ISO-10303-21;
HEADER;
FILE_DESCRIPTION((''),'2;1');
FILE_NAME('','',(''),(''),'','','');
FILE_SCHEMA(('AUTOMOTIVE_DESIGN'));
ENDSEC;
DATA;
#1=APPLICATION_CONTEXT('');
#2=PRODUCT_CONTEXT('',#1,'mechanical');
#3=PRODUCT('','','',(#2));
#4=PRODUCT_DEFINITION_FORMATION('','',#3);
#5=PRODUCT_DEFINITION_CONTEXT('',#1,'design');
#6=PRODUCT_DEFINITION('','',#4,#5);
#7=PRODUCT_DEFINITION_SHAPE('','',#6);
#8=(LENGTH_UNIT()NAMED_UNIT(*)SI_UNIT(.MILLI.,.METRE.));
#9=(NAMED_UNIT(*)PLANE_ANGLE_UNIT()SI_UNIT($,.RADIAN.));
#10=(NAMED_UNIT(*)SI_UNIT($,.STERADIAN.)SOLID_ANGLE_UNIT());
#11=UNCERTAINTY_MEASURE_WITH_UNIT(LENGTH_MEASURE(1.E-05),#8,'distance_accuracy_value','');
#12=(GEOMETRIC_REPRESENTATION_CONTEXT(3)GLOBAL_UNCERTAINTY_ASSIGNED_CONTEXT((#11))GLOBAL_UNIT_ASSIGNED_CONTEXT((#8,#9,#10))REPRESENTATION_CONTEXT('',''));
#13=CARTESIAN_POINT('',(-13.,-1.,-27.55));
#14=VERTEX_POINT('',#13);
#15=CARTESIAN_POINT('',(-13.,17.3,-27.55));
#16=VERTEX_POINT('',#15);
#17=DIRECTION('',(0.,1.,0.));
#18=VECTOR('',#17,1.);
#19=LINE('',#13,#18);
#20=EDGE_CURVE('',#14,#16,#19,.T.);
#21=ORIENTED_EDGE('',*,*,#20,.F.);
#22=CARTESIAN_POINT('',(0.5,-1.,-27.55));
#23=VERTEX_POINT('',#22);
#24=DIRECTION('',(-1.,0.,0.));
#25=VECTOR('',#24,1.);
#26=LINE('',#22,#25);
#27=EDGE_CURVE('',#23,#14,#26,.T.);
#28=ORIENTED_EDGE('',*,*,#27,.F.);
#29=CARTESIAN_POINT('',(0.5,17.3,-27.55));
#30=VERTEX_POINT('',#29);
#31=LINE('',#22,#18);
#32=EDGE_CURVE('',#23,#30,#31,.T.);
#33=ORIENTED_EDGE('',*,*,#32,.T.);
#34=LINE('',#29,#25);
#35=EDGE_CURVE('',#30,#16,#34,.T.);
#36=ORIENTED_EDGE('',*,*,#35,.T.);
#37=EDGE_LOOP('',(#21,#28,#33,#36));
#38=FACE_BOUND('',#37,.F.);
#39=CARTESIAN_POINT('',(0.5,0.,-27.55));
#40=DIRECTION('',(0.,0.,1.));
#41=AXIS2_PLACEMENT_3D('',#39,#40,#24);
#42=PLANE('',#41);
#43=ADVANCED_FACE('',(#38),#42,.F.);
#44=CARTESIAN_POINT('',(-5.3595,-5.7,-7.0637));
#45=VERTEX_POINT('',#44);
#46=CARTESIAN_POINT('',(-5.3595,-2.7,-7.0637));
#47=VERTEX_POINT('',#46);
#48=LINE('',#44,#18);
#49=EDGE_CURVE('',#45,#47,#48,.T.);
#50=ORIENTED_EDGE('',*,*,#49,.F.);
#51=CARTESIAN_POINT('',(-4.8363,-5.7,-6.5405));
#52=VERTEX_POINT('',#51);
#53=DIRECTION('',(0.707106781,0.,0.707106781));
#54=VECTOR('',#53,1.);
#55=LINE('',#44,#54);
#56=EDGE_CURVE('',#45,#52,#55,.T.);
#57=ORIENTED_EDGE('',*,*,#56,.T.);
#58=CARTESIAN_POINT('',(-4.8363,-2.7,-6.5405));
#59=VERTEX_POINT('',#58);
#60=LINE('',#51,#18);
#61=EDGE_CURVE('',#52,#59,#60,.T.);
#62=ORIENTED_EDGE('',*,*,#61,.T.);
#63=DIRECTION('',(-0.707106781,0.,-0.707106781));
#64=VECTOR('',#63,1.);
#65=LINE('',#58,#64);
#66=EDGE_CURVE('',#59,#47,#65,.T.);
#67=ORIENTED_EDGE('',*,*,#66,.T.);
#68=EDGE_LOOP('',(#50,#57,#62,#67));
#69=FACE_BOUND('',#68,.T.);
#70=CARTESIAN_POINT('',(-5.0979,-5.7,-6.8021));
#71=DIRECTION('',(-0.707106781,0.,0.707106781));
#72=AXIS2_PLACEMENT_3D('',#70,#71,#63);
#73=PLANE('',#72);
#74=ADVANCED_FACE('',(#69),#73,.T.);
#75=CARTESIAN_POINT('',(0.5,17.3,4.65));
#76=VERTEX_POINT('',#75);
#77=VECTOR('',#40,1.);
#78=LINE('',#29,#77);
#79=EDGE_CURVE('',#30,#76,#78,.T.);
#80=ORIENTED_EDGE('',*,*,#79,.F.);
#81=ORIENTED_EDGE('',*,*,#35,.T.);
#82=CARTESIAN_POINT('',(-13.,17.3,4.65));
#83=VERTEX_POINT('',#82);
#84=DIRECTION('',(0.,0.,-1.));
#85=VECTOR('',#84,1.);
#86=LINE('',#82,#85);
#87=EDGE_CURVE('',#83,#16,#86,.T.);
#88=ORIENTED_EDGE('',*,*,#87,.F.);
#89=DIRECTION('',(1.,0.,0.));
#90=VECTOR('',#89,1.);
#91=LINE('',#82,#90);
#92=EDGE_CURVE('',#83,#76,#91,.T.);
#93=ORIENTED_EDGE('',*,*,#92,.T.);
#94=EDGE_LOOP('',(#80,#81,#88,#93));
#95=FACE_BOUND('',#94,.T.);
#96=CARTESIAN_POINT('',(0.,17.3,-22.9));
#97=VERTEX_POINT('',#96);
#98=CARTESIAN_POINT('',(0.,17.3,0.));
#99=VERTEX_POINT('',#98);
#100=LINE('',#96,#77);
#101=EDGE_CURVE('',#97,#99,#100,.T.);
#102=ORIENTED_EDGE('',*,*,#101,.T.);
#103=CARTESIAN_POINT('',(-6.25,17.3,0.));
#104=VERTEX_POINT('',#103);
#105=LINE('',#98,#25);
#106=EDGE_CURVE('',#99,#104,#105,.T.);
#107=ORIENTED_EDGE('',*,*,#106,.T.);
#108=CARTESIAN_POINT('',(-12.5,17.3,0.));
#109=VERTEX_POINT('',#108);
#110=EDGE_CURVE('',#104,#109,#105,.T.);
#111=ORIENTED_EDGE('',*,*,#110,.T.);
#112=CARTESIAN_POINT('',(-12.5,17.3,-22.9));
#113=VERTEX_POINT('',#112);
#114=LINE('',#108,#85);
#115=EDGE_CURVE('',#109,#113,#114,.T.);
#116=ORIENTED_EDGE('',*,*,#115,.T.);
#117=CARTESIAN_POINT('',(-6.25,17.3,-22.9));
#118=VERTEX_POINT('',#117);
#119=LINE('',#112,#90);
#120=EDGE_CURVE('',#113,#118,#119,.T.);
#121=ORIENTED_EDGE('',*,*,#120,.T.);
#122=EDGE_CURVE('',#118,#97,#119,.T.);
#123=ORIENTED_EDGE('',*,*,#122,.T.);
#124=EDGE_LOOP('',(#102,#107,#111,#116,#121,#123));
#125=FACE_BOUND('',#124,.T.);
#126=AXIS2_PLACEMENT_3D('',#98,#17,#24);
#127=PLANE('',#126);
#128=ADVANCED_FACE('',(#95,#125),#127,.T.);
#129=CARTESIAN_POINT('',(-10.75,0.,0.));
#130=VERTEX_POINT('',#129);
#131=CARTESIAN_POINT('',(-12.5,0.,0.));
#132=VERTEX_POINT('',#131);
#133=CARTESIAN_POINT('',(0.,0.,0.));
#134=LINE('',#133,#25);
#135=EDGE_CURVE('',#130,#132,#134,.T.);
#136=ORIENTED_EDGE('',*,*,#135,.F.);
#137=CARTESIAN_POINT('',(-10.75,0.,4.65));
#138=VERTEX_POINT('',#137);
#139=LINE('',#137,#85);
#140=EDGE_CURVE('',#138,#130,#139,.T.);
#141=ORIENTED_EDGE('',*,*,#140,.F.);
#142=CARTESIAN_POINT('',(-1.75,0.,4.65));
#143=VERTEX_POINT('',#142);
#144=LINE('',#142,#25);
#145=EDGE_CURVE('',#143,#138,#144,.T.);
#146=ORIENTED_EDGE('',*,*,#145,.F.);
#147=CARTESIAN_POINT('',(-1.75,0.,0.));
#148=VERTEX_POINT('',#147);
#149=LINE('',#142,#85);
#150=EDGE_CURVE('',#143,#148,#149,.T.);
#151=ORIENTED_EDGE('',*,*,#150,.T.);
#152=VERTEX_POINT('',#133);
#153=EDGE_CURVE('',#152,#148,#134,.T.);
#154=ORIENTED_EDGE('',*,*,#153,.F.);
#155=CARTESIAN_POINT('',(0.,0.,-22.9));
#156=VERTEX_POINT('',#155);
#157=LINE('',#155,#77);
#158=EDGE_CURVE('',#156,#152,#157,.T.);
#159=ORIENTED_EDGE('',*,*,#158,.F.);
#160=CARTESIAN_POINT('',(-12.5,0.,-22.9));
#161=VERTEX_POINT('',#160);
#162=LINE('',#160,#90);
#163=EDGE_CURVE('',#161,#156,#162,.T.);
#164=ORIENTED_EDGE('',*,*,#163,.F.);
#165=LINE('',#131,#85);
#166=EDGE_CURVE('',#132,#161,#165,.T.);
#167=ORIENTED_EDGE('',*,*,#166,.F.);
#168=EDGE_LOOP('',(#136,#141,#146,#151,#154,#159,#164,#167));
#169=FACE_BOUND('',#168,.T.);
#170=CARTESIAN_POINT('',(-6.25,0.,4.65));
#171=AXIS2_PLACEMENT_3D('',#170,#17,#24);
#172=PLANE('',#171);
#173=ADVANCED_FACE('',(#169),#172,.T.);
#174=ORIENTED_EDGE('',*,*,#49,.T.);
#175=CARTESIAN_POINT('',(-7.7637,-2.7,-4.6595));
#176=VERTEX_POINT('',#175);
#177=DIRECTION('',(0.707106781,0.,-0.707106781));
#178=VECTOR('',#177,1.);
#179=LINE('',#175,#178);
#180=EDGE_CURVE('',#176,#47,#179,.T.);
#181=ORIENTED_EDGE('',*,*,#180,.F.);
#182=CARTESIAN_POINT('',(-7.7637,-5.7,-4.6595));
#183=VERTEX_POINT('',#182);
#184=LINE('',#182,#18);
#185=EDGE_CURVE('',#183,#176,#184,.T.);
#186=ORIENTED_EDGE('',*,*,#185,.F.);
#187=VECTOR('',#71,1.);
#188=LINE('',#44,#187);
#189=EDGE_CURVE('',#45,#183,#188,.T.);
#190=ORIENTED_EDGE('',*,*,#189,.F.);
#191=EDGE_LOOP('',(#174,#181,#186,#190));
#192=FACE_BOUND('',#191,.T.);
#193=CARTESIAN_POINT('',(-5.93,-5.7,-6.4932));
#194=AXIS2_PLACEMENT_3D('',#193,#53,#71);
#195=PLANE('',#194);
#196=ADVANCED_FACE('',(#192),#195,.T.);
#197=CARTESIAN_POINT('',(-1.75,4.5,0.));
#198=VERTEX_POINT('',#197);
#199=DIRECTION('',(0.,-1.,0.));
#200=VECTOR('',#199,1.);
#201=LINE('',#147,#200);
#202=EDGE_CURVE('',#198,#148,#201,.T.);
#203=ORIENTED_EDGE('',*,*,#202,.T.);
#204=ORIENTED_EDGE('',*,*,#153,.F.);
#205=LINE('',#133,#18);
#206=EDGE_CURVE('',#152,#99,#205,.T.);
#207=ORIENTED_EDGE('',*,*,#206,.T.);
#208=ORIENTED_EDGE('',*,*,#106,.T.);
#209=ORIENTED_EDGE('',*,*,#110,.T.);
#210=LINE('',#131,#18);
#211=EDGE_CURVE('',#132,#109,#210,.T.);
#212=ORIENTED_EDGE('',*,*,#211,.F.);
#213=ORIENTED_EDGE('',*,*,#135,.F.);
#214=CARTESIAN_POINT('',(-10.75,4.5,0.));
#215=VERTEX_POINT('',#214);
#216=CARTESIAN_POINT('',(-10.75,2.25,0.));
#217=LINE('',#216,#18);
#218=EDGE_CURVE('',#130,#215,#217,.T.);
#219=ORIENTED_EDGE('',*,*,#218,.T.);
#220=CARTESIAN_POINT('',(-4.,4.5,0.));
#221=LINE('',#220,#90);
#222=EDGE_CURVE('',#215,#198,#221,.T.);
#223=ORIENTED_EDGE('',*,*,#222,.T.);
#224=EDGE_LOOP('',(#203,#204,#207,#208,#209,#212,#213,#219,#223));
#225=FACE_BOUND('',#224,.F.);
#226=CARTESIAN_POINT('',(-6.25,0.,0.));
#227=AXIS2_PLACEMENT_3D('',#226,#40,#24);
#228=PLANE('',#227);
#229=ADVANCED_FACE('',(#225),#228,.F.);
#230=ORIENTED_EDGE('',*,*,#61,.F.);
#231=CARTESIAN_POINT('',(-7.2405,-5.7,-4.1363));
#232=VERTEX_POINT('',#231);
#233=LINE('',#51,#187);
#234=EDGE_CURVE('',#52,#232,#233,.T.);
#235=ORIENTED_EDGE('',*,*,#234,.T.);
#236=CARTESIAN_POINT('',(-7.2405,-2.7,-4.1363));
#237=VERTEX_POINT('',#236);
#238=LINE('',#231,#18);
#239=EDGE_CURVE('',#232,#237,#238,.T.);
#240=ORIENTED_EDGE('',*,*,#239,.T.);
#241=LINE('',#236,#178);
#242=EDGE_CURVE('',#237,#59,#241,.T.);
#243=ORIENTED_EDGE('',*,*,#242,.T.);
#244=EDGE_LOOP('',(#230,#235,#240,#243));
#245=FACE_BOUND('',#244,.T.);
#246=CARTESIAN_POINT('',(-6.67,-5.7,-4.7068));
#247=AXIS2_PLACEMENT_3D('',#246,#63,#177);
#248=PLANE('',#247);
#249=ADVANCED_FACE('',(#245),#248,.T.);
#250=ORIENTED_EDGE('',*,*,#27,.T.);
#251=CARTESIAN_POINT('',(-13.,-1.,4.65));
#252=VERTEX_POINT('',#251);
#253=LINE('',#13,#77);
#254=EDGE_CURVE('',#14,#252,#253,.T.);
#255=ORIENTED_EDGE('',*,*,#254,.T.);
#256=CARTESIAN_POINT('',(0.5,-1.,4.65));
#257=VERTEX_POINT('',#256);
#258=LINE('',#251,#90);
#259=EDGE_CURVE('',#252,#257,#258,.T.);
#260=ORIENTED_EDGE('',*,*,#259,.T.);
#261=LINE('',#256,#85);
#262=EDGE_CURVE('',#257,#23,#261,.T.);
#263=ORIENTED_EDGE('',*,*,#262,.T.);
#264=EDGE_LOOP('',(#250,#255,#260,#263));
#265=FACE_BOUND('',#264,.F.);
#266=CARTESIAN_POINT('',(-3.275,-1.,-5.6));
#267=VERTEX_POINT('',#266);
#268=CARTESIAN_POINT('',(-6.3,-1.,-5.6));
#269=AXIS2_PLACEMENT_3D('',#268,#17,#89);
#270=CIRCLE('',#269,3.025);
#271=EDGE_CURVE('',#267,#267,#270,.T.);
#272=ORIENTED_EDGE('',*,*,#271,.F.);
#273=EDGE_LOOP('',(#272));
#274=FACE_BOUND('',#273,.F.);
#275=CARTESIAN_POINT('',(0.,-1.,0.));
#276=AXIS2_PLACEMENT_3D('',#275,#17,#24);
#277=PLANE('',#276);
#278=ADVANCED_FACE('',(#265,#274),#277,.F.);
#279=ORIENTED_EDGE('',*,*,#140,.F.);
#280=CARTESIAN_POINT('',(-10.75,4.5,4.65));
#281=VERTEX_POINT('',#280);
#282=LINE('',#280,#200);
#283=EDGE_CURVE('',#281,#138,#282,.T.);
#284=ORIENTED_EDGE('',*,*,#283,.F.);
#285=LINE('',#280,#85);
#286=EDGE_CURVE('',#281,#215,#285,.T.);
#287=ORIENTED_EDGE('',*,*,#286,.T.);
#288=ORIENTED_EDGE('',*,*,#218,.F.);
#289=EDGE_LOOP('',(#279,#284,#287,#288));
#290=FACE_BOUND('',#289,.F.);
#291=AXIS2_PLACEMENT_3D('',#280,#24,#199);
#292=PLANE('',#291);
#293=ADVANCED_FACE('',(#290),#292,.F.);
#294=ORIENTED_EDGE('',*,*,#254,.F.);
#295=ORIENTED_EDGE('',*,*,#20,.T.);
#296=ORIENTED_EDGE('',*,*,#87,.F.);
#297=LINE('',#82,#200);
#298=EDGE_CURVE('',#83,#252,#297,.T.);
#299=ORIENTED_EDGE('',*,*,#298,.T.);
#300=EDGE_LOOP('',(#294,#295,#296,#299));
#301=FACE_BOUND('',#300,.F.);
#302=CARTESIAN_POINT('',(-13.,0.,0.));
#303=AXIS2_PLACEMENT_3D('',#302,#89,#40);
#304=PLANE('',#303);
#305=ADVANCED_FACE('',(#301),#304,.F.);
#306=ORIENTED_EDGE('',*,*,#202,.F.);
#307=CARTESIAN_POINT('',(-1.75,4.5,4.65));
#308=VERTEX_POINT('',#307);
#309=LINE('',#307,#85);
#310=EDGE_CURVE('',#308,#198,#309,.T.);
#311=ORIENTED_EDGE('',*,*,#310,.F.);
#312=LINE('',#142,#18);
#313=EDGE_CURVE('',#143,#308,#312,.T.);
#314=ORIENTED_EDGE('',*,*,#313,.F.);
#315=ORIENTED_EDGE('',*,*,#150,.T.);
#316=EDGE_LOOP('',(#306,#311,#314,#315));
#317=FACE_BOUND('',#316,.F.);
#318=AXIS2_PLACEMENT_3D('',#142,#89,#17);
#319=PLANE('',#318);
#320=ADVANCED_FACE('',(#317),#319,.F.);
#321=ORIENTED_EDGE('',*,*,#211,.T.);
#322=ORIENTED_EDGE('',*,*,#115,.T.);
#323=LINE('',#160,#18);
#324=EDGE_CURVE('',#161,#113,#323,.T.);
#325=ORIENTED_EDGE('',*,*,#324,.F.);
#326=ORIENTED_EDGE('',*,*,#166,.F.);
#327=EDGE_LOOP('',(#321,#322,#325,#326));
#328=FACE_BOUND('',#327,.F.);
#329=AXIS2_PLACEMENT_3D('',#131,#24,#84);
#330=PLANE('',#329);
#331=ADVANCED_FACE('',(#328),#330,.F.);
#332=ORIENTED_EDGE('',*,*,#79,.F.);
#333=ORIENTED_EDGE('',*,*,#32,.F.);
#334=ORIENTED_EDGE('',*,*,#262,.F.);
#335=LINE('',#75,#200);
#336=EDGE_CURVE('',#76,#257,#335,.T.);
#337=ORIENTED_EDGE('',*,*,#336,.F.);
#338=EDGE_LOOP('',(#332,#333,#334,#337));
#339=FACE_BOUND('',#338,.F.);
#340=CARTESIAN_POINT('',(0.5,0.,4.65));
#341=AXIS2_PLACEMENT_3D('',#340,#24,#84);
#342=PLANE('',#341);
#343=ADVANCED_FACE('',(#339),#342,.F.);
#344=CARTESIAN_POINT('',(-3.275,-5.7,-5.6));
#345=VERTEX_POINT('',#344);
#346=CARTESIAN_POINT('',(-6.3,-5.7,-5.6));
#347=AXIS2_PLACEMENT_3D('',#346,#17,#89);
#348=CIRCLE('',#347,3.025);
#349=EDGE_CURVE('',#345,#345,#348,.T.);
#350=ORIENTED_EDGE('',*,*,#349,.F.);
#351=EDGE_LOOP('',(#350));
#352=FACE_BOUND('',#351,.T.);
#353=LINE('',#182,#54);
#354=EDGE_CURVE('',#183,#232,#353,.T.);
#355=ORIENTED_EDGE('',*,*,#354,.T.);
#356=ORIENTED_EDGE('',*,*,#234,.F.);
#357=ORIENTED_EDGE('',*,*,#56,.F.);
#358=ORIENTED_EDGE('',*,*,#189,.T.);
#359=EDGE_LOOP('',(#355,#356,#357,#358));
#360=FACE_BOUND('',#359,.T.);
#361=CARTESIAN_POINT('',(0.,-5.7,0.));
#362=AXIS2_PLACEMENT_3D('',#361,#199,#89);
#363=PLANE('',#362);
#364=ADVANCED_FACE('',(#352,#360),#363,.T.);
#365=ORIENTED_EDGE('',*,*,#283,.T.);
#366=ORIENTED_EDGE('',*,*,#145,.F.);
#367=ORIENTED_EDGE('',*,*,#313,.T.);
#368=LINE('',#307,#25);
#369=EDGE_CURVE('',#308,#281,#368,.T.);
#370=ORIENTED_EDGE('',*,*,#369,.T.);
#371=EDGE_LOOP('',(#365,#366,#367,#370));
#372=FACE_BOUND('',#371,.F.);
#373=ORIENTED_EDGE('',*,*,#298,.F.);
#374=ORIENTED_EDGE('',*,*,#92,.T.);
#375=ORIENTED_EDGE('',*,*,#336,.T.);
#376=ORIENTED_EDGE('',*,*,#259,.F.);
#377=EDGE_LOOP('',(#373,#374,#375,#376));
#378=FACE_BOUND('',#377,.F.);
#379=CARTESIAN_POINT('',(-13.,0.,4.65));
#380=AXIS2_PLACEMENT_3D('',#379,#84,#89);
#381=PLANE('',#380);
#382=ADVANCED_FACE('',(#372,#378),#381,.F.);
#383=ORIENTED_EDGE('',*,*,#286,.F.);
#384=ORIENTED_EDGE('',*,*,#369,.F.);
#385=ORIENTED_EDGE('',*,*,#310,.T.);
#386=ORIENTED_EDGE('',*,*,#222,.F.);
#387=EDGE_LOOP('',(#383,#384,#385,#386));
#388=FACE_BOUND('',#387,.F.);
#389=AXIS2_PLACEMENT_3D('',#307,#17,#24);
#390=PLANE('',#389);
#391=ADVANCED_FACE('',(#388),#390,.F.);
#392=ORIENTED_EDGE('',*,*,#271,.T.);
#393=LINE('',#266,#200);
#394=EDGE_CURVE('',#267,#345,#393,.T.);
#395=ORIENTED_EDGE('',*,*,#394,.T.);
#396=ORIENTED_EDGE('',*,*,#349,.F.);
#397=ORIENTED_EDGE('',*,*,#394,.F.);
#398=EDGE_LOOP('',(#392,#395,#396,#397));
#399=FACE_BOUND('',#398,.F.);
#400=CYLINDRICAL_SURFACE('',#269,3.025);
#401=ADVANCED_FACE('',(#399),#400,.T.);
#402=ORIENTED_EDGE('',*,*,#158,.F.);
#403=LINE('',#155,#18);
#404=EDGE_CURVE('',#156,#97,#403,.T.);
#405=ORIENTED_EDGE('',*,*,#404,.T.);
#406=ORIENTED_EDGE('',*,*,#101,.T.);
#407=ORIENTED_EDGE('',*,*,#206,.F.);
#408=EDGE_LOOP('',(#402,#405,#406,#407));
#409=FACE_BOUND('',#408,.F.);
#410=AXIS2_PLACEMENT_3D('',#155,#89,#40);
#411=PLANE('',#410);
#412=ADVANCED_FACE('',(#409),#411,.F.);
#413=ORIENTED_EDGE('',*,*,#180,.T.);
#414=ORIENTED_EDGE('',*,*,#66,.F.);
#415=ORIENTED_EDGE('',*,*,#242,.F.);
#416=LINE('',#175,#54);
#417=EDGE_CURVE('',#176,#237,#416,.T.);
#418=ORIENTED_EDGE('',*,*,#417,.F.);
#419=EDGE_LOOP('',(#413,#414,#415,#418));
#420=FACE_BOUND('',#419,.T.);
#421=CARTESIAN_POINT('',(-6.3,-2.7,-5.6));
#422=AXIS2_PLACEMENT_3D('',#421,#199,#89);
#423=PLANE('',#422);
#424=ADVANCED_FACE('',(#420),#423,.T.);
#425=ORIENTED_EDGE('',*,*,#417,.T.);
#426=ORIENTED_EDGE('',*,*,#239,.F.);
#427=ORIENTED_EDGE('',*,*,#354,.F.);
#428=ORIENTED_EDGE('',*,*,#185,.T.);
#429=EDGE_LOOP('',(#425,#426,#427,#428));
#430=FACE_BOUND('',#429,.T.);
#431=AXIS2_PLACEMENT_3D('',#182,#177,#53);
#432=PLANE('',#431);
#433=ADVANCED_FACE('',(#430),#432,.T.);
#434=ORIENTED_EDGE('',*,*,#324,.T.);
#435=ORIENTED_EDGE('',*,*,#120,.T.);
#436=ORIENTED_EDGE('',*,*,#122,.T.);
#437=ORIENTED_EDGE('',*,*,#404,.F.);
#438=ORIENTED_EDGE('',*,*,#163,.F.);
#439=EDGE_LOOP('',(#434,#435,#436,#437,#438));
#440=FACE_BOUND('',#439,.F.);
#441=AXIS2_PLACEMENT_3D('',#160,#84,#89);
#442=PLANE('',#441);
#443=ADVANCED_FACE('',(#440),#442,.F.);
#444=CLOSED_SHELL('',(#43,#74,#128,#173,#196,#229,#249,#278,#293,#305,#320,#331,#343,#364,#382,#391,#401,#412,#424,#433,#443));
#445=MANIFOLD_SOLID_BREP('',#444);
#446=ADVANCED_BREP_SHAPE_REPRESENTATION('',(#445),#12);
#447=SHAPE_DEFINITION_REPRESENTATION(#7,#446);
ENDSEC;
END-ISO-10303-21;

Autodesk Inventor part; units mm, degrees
ref_plane "YZ Plane" through (0, 0, 0) normal (1, 0, 0) x (0, 1, 0)
ref_plane "XZ Plane" through (0, 0, 0) normal (0, 1, 0) x (-1, 0, 0)
ref_plane "XY Plane" through (0, 0, 0) normal (0, 0, 1) x (1, 0, 0)
sketch "Sketch1" plane through (0, 0, 0) normal (0, 1, 0) x (-1, 0, 0)
  line L0 (0, 0) -> (12.5, 0)
  line L1 (12.5, 0) -> (12.5, -22.9)
  line L2 (12.5, -22.9) -> (0, -22.9)
  line L3 (0, -22.9) -> (0, 0)
  line L4 (12.5, 0) -> (13, 0)
  line L5 (0, -22.9) -> (-0.5, -22.9)
  line L6 (13, 0) -> (13, 4.65)
  line L7 (-0.5, -22.9) -> (-0.5, -27.55)
  line L8 (13, 4.65) -> (-0.5, 4.65)
  line L9 (-0.5, 4.65) -> (-0.5, -27.55)
  line L10 (-0.5, -27.55) -> (13, -27.55)
  line L11 (13, -27.55) -> (13, 4.65)
  line L12 (6.25, 0) -> (6.25, 2.45)
  line L13 (6.25, -22.9) -> (6.25, -25.35)
  circle A0 centre (6.25, 2.45) radius 0.75
  circle A1 centre (6.25, -25.35) radius 0.75
  dimension "d0" = 12.5
  dimension "d1" = 22.9
  dimension "d2" = 0.5
  dimension "d3" = 0.5
  dimension "d4" = 4.65
  dimension "d5" = 4.65
  dimension "d6" = 2.45
  dimension "d7" = 2.45
  dimension "d8" = 1.5
  dimension "d9" = 1.5
extrude "Extrusion1" add sketch "Sketch1" along normal blind 17.3 contours A0 | L3 L5 L9 L8 L6 L4 L0 | A1 | L2 L1 L4 L11 L10 L7 L5
extrude "Extrusion2" add sketch "Sketch1" against normal blind 1 contours A0 | L3 L5 L9 L8 L6 L4 L0 | L0 L1 L2 L3 | A1 | L2 L1 L4 L11 L10 L7 L5
sketch "Sketch2" plane through (0, -1, 0) normal (0, -1, 0) x (1, 0, 0)
  line L0 (0.5, 4.65) -> (0.5, -27.55) projected
  line L1 (-12.5, -22.9) -> (0, -22.9) projected
  line L2 (-13, -27.55) -> (-13, 4.65) projected
  line L3 (-13, 4.65) -> (-13, 0)
  line L4 (-13, 0) -> (-6.3, 0)
  line L5 (0, 0) -> (-12.5, 0) projected
  line L6 (-6.3, 0) -> (-6.3, -5.6)
  circle A0 centre (-6.3, -5.6) radius 3.025
  dimension "d20" = 4.65
  dimension "d21" = 6.7
  dimension "d22" = 5.6
  dimension "d23" = 6.05
extrude "Extrusion3" add sketch "Sketch2" along normal blind 4.7
sketch "Sketch3" plane through (-6.3, -5.7, -5.6) normal (0, -1, 0) x (1, 0, 0)
  line L0 (0, 0) -> (1.385, 0)
  line L1 (0, 0) -> (0, 1.385)
  line L2 (1.385, 0) -> (1.385, 0.32)
  line L3 (0, 1.385) -> (-0.32, 1.385)
  line L4 (-0.32, 1.385) -> (0.32, 1.385)
  line L5 (0.32, 1.385) -> (0.32, -1.385)
  line L6 (0.32, -1.385) -> (-0.32, -1.385)
  line L7 (-0.32, -1.385) -> (-0.32, 1.385)
  line L8 (1.385, 0.32) -> (-1.385, 0.32)
  line L9 (-1.385, 0.32) -> (-1.385, -0.32)
  line L10 (-1.385, -0.32) -> (1.385, -0.32)
  line L11 (1.385, -0.32) -> (1.385, 0.32)
  point P0 (6.3, 5.6)
  point P1 (-0.32, 0.32)
  point P2 (-0.32, -0.32)
  point P3 (0.32, -0.32)
  point P4 (0.32, 0.32)
  dimension "d24" = 1.385
  dimension "d25" = 1.385
  dimension "d26" = 0.32
  dimension "d27" = 0.32
  dimension "d28" = 0.64
  dimension "d30" = 2.77
  dimension "d31" = 0.64
  dimension "d32" = 2.77
extrude "Extrusion4" [suppressed]
sketch "Sketch7" plane through (-13, 17.3, 4.65) normal (0, 0, 1) x (1, 0, 0)
  line L0 (0, -18.3) -> (13.5, -18.3) projected
  line L1 (6.75, -18.3) -> (6.75, -17.3)
  line L2 (6.75, -17.3) -> (2.25, -17.3)
  line L3 (0.5, -17.3) -> (13, -17.3) projected
  line L4 (2.25, -17.3) -> (11.25, -17.3)
  line L5 (11.25, -17.3) -> (11.25, -12.8)
  line L6 (11.25, -12.8) -> (2.25, -12.8)
  line L7 (2.25, -12.8) -> (2.25, -17.3)
  dimension "d47" = 1
  dimension "d48" = 4.5
  dimension "d49" = 4.5
  dimension "d50" = 9
extrude "Extrusion7" cut sketch "Sketch7" against normal up to next
sketch "Sketch8" plane through (-6.3, -5.7, -5.6) normal (0, -1, 0) x (1, 0, 0)
  line L0 (0, 0) -> (0, 1.7)
  line L1 (0, 1.7) -> (0.37, 1.7)
  line L2 (0.37, 1.7) -> (0.37, -1.7)
  line L3 (0.37, -1.7) -> (-0.37, -1.7)
  line L4 (-0.37, -1.7) -> (-0.37, 1.7)
  line L5 (-0.37, 1.7) -> (0, 1.7)
  line L6 (0, 0) -> (1.2021, -1.2021)
  line L7 (1.2021, -1.2021) -> (0.9405, -1.4637)
  line L8 (0.9405, -1.4637) -> (-1.4637, 0.9405)
  line L9 (-1.4637, 0.9405) -> (-0.9405, 1.4637)
  line L10 (-0.9405, 1.4637) -> (1.4637, -0.9405)
  line L11 (1.4637, -0.9405) -> (1.2021, -1.2021)
  point P0 (6.3, 5.6)
  dimension "d53" = 1.7
  dimension "d54" = 0.37
  dimension "d55" = 3.4
  dimension "d56" = 0.74
  dimension "d57" = 3.4
  dimension "d60" = 1.7
  dimension "d61" = 0.37
  dimension "d62" = 3.4
  dimension "d63" = 0.74
  dimension "d64" = 3.4
extrude "Extrusion8" cut sketch "Sketch8" against normal blind 3 contours L6 L2 L8 L4 L10 L0 | L0 L10 L2 L6 | L6 L7 L8 L2 | L2 L10 L11 L6 | L4 L8 L9 L10
properties part number "Servo Top Mount"
